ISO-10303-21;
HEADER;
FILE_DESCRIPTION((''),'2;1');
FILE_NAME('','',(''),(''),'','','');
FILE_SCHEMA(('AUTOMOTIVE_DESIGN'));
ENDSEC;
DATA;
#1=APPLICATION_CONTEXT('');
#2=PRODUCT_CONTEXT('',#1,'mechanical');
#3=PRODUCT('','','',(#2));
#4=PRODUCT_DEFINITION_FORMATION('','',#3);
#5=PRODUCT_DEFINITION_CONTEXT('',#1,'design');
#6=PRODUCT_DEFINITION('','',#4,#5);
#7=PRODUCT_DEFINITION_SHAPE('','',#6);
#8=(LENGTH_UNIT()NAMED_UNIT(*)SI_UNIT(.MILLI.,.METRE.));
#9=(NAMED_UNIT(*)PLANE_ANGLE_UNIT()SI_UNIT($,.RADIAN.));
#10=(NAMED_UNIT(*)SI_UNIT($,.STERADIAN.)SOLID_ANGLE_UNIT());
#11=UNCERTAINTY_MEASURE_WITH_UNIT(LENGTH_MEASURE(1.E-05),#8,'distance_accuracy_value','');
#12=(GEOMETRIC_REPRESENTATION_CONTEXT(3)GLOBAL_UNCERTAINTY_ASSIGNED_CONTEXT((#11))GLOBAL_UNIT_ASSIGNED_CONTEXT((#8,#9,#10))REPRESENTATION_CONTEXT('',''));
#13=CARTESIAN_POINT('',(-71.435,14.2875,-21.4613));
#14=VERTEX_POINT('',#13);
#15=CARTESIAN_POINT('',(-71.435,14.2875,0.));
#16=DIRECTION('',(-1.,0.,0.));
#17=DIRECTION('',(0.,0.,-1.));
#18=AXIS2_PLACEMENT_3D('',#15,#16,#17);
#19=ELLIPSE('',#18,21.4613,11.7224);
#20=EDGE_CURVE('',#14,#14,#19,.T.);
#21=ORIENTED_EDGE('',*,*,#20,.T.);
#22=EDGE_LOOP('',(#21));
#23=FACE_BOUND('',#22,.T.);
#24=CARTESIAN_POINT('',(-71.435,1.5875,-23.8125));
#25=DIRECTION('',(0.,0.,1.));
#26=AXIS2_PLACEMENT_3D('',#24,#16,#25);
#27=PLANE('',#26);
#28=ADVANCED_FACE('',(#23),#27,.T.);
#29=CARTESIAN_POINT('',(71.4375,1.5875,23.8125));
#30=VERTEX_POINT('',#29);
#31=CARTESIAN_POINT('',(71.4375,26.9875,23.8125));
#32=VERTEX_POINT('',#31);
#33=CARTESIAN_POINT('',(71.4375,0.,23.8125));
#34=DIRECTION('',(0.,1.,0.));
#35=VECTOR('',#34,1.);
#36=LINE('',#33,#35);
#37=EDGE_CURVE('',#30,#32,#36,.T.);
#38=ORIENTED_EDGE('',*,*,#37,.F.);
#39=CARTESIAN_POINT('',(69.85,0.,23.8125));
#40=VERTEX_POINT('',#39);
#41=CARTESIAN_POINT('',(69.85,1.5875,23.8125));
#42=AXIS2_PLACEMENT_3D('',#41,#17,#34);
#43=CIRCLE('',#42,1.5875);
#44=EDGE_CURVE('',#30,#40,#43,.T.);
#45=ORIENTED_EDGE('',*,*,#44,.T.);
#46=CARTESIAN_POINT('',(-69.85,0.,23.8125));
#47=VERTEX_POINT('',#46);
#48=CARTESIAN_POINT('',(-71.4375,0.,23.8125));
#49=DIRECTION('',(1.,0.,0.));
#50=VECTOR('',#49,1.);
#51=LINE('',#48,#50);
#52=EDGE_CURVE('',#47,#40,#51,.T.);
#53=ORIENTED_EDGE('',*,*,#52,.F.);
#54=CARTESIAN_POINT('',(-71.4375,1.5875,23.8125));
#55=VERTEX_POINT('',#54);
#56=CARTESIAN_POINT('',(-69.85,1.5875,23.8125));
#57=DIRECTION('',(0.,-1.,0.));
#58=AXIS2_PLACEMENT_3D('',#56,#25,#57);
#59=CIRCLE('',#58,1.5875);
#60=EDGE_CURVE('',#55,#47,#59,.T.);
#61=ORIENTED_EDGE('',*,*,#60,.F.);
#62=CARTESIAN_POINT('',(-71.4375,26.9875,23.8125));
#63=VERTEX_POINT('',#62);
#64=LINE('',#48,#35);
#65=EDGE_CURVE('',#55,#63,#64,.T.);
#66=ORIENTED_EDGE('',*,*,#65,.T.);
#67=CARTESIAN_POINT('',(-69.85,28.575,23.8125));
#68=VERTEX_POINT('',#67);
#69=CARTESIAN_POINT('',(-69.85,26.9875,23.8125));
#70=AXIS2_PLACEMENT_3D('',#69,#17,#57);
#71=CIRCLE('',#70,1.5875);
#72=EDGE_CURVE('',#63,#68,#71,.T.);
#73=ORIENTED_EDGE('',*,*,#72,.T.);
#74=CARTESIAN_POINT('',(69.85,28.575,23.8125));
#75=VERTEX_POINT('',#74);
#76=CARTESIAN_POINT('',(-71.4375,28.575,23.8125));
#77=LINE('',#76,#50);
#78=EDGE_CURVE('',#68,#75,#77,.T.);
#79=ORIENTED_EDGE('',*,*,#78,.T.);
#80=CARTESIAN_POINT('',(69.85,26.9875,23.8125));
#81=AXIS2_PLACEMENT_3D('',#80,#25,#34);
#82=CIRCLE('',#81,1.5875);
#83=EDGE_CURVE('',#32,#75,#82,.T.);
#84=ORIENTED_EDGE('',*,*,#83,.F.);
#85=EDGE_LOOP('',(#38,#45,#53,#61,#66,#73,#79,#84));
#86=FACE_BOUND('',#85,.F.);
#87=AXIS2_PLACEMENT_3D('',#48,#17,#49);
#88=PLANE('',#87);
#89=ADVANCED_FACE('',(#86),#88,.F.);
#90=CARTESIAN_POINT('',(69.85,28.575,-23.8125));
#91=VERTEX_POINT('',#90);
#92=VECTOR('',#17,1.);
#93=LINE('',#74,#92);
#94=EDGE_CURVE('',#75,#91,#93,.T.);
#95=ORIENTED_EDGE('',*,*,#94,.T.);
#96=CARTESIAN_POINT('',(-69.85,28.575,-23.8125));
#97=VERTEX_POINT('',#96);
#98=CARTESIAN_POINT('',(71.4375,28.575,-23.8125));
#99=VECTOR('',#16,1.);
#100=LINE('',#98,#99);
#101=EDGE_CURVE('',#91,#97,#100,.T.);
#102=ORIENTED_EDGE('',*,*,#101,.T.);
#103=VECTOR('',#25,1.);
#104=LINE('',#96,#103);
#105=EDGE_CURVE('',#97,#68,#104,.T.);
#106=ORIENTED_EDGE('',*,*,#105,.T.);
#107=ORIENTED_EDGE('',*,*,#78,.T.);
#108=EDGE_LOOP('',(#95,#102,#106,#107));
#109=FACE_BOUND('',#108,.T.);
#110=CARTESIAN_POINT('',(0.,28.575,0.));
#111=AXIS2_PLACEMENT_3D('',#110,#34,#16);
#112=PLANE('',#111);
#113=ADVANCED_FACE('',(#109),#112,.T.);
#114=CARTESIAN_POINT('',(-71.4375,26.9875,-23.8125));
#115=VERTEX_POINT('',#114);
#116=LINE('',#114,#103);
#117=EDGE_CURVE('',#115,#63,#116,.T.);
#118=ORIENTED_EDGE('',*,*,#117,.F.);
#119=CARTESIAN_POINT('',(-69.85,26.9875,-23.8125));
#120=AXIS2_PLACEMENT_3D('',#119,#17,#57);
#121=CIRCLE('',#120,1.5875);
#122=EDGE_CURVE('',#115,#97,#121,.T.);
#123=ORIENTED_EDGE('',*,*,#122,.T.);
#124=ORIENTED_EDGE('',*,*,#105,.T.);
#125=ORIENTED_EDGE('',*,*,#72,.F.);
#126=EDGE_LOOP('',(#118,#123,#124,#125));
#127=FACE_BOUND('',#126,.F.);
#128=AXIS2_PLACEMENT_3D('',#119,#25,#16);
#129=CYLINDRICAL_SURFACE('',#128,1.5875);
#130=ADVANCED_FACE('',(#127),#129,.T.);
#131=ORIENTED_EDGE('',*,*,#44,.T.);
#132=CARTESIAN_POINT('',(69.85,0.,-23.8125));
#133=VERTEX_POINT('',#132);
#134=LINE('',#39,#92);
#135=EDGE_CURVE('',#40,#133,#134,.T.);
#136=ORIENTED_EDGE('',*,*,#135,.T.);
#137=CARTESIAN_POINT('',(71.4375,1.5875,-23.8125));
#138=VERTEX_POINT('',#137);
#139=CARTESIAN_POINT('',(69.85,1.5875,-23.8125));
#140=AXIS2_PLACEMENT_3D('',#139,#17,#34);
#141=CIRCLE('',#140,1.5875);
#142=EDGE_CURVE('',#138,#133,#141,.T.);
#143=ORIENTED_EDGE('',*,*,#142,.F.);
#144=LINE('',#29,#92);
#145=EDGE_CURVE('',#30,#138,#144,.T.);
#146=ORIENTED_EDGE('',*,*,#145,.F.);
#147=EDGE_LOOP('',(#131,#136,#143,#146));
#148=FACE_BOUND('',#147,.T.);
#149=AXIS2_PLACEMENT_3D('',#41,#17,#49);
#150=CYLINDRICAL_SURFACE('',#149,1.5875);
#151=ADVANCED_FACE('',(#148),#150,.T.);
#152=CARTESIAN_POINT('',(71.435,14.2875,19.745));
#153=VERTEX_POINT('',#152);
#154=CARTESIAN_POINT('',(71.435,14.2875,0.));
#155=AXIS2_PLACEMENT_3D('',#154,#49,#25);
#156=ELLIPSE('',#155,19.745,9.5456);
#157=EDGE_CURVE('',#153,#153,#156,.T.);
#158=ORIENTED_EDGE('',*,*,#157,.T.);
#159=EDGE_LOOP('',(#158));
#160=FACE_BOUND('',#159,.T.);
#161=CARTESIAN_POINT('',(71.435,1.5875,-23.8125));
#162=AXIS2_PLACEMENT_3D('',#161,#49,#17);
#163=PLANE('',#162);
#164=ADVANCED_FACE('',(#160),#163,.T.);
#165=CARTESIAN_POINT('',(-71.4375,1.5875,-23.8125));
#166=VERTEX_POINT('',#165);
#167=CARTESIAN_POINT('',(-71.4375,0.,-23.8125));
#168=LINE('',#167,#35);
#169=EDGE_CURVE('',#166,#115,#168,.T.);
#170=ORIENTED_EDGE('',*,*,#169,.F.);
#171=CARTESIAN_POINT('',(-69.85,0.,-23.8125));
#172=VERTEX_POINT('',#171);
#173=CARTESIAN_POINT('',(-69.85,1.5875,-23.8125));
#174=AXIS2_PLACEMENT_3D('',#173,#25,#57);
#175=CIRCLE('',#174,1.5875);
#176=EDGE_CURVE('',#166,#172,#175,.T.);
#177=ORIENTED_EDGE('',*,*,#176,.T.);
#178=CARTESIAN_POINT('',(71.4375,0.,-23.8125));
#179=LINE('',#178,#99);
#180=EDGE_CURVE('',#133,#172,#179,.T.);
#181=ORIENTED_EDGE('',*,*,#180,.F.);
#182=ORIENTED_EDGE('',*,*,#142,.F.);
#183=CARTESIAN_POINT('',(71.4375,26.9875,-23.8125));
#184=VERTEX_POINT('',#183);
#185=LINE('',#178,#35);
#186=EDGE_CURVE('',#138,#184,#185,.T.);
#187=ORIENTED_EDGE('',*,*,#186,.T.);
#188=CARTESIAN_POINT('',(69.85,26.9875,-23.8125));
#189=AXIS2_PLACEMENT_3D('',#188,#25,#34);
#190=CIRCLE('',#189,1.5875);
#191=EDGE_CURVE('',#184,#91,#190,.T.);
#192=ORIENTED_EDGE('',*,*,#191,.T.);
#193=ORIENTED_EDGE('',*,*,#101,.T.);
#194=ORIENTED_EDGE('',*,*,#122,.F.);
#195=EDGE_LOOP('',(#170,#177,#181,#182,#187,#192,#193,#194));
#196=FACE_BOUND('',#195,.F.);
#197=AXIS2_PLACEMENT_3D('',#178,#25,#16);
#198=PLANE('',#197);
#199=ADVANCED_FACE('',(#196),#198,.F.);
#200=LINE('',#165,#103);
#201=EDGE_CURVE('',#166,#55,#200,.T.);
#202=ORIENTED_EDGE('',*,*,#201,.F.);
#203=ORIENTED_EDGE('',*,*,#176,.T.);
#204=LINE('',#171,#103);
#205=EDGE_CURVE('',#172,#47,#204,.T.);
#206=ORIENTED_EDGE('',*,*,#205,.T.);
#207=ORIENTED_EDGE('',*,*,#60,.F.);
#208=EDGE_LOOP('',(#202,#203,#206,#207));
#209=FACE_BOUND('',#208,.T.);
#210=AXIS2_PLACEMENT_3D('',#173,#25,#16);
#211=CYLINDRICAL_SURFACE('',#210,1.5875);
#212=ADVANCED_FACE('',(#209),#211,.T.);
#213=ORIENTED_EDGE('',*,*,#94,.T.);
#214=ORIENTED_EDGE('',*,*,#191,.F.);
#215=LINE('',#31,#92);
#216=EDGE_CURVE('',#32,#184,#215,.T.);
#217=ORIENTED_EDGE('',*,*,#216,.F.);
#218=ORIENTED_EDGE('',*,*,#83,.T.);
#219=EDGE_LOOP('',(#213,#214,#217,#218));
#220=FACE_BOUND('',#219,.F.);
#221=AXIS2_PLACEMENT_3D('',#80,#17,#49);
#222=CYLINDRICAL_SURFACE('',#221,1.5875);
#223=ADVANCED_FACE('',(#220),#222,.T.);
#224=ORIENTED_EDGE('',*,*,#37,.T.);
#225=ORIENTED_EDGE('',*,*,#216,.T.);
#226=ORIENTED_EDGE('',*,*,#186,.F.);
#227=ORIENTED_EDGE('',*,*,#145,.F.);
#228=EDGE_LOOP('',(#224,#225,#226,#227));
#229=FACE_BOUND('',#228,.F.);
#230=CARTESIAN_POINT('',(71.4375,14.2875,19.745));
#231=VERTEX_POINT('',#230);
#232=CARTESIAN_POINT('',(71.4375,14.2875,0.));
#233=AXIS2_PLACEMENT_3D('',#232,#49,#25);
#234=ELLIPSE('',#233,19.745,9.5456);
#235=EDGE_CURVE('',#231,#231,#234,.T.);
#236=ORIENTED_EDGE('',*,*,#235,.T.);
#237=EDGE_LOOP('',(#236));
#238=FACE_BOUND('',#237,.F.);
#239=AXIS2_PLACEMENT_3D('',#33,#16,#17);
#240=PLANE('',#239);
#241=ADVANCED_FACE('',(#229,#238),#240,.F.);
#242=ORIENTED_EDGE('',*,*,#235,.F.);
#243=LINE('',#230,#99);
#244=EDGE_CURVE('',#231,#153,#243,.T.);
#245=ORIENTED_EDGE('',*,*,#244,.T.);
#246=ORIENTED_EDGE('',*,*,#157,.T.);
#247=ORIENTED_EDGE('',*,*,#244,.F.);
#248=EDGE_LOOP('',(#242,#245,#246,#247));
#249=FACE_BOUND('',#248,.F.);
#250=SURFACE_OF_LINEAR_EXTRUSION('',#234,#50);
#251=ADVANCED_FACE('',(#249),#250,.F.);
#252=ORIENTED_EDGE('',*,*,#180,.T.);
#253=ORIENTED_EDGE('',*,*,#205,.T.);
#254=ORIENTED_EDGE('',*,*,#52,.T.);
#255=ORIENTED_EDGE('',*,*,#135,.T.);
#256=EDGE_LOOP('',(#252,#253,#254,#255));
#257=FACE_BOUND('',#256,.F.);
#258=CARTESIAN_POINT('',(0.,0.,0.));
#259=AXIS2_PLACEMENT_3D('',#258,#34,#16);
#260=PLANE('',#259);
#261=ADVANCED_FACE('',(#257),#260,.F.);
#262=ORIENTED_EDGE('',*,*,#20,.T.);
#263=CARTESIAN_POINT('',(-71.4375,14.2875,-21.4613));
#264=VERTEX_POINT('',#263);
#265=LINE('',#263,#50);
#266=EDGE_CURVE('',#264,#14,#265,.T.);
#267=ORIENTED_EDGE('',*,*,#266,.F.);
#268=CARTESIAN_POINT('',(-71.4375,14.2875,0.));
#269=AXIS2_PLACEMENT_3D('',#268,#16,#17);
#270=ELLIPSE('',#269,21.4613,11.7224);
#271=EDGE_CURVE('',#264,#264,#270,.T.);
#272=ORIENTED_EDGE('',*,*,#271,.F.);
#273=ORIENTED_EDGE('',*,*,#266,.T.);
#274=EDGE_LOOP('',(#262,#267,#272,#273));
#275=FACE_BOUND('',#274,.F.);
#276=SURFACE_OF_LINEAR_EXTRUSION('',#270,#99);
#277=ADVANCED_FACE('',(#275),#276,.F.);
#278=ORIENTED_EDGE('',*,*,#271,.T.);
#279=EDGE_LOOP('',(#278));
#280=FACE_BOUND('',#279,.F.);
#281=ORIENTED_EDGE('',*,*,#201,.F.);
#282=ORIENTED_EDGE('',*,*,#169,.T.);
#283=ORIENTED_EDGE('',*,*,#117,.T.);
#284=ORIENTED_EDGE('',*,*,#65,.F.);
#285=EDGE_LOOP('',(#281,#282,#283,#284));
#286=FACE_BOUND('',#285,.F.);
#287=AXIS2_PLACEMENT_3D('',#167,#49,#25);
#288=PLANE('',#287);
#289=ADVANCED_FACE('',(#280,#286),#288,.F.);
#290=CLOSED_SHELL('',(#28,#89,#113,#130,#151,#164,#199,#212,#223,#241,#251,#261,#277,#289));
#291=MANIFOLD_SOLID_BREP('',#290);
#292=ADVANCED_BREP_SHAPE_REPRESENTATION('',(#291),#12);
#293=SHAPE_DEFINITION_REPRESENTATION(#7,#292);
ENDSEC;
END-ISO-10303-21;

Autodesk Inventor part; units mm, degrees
ref_plane "YZ Plane" through (0, 0, 0) normal (1, 0, 0) x (0, 1, 0)
ref_plane "XZ Plane" through (0, 0, 0) normal (0, 1, 0) x (-1, 0, 0)
ref_plane "XY Plane" through (0, 0, 0) normal (0, 0, 1) x (1, 0, 0)
sketch "Sketch1" plane through (0, 0, 0) normal (0, 1, 0) x (-1, 0, 0)
  line L0 (71.4375, 23.8125) -> (-71.4375, 23.8125)
  line L1 (-71.4375, 23.8125) -> (-71.4375, -23.8125)
  line L2 (-71.4375, -23.8125) -> (71.4375, -23.8125)
  line L3 (71.4375, -23.8125) -> (71.4375, 23.8125)
  point P0 (0, 0)
  point P1 (71.4375, 0)
  point P2 (0, -23.8125)
  dimension "d0" = 142.875
  dimension "d1" = 47.625
extrude "Extrusion1" add sketch "Sketch1" along normal blind 28.575
fillet "Fillet1" radius 1.5875 4 edges at (71.4375, 28.575, 0) (71.4375, 0, 0) (-71.4375, 0, 0) (-71.4375, 28.575, 0)
sketch "Sketch2" plane through (71.4375, 1.5875, -23.8125) normal (1, 0, 0) x (0, 0, -1)
  line L0 (0, 0) -> (-47.625, 0) projected
  line L1 (0, 0) -> (0, 25.4) projected
  line L2 (-47.625, 25.4) -> (0, 25.4) projected
  line L3 (-47.625, 0) -> (-47.625, 25.4) projected
  ellipse E0 centre (-23.8125, 12.7) end of major axis (-43.5575, 12.7) minor radius 9.5456
  point P0 (-23.8125, -1.5875)
sketch "Sketch3" plane through (-71.4375, 1.5875, -23.8125) normal (-1, 0, 0) x (0, 0, 1)
  line L0 (0, 25.4) -> (47.625, 25.4) projected
  line L1 (0, 0) -> (0, 25.4) projected
  line L2 (47.625, 0) -> (0, 0) projected
  line L3 (47.625, 0) -> (47.625, 25.4) projected
  ellipse E0 centre (23.8125, 12.7) end of major axis (2.3512, 12.7) minor radius 11.7224
  point P0 (23.8125, -1.5875)
extrude "Extrusion2" cut sketch "Sketch2" against normal blind 0.0025 contours E0
extrude "Extrusion3" cut sketch "Sketch3" against normal blind 0.0025 contours E0
sketch "Sketch4" plane through (0, 28.575, 0) normal (0, 1, 0) x (1, 0, 0)
  line L0 (-67.8346, 19.1959) -> (69.1812, 19.1959) construction
  line L1 (69.1812, 19.1959) -> (69.1812, -17.2378) construction
  line L2 (69.1812, -17.2378) -> (-67.8346, -17.2378) construction
  line L3 (-67.8346, -17.2378) -> (-67.8346, 19.1959) construction
  point P0 (0, 0)
properties part number "Turnigy 4S 5200 mah"
